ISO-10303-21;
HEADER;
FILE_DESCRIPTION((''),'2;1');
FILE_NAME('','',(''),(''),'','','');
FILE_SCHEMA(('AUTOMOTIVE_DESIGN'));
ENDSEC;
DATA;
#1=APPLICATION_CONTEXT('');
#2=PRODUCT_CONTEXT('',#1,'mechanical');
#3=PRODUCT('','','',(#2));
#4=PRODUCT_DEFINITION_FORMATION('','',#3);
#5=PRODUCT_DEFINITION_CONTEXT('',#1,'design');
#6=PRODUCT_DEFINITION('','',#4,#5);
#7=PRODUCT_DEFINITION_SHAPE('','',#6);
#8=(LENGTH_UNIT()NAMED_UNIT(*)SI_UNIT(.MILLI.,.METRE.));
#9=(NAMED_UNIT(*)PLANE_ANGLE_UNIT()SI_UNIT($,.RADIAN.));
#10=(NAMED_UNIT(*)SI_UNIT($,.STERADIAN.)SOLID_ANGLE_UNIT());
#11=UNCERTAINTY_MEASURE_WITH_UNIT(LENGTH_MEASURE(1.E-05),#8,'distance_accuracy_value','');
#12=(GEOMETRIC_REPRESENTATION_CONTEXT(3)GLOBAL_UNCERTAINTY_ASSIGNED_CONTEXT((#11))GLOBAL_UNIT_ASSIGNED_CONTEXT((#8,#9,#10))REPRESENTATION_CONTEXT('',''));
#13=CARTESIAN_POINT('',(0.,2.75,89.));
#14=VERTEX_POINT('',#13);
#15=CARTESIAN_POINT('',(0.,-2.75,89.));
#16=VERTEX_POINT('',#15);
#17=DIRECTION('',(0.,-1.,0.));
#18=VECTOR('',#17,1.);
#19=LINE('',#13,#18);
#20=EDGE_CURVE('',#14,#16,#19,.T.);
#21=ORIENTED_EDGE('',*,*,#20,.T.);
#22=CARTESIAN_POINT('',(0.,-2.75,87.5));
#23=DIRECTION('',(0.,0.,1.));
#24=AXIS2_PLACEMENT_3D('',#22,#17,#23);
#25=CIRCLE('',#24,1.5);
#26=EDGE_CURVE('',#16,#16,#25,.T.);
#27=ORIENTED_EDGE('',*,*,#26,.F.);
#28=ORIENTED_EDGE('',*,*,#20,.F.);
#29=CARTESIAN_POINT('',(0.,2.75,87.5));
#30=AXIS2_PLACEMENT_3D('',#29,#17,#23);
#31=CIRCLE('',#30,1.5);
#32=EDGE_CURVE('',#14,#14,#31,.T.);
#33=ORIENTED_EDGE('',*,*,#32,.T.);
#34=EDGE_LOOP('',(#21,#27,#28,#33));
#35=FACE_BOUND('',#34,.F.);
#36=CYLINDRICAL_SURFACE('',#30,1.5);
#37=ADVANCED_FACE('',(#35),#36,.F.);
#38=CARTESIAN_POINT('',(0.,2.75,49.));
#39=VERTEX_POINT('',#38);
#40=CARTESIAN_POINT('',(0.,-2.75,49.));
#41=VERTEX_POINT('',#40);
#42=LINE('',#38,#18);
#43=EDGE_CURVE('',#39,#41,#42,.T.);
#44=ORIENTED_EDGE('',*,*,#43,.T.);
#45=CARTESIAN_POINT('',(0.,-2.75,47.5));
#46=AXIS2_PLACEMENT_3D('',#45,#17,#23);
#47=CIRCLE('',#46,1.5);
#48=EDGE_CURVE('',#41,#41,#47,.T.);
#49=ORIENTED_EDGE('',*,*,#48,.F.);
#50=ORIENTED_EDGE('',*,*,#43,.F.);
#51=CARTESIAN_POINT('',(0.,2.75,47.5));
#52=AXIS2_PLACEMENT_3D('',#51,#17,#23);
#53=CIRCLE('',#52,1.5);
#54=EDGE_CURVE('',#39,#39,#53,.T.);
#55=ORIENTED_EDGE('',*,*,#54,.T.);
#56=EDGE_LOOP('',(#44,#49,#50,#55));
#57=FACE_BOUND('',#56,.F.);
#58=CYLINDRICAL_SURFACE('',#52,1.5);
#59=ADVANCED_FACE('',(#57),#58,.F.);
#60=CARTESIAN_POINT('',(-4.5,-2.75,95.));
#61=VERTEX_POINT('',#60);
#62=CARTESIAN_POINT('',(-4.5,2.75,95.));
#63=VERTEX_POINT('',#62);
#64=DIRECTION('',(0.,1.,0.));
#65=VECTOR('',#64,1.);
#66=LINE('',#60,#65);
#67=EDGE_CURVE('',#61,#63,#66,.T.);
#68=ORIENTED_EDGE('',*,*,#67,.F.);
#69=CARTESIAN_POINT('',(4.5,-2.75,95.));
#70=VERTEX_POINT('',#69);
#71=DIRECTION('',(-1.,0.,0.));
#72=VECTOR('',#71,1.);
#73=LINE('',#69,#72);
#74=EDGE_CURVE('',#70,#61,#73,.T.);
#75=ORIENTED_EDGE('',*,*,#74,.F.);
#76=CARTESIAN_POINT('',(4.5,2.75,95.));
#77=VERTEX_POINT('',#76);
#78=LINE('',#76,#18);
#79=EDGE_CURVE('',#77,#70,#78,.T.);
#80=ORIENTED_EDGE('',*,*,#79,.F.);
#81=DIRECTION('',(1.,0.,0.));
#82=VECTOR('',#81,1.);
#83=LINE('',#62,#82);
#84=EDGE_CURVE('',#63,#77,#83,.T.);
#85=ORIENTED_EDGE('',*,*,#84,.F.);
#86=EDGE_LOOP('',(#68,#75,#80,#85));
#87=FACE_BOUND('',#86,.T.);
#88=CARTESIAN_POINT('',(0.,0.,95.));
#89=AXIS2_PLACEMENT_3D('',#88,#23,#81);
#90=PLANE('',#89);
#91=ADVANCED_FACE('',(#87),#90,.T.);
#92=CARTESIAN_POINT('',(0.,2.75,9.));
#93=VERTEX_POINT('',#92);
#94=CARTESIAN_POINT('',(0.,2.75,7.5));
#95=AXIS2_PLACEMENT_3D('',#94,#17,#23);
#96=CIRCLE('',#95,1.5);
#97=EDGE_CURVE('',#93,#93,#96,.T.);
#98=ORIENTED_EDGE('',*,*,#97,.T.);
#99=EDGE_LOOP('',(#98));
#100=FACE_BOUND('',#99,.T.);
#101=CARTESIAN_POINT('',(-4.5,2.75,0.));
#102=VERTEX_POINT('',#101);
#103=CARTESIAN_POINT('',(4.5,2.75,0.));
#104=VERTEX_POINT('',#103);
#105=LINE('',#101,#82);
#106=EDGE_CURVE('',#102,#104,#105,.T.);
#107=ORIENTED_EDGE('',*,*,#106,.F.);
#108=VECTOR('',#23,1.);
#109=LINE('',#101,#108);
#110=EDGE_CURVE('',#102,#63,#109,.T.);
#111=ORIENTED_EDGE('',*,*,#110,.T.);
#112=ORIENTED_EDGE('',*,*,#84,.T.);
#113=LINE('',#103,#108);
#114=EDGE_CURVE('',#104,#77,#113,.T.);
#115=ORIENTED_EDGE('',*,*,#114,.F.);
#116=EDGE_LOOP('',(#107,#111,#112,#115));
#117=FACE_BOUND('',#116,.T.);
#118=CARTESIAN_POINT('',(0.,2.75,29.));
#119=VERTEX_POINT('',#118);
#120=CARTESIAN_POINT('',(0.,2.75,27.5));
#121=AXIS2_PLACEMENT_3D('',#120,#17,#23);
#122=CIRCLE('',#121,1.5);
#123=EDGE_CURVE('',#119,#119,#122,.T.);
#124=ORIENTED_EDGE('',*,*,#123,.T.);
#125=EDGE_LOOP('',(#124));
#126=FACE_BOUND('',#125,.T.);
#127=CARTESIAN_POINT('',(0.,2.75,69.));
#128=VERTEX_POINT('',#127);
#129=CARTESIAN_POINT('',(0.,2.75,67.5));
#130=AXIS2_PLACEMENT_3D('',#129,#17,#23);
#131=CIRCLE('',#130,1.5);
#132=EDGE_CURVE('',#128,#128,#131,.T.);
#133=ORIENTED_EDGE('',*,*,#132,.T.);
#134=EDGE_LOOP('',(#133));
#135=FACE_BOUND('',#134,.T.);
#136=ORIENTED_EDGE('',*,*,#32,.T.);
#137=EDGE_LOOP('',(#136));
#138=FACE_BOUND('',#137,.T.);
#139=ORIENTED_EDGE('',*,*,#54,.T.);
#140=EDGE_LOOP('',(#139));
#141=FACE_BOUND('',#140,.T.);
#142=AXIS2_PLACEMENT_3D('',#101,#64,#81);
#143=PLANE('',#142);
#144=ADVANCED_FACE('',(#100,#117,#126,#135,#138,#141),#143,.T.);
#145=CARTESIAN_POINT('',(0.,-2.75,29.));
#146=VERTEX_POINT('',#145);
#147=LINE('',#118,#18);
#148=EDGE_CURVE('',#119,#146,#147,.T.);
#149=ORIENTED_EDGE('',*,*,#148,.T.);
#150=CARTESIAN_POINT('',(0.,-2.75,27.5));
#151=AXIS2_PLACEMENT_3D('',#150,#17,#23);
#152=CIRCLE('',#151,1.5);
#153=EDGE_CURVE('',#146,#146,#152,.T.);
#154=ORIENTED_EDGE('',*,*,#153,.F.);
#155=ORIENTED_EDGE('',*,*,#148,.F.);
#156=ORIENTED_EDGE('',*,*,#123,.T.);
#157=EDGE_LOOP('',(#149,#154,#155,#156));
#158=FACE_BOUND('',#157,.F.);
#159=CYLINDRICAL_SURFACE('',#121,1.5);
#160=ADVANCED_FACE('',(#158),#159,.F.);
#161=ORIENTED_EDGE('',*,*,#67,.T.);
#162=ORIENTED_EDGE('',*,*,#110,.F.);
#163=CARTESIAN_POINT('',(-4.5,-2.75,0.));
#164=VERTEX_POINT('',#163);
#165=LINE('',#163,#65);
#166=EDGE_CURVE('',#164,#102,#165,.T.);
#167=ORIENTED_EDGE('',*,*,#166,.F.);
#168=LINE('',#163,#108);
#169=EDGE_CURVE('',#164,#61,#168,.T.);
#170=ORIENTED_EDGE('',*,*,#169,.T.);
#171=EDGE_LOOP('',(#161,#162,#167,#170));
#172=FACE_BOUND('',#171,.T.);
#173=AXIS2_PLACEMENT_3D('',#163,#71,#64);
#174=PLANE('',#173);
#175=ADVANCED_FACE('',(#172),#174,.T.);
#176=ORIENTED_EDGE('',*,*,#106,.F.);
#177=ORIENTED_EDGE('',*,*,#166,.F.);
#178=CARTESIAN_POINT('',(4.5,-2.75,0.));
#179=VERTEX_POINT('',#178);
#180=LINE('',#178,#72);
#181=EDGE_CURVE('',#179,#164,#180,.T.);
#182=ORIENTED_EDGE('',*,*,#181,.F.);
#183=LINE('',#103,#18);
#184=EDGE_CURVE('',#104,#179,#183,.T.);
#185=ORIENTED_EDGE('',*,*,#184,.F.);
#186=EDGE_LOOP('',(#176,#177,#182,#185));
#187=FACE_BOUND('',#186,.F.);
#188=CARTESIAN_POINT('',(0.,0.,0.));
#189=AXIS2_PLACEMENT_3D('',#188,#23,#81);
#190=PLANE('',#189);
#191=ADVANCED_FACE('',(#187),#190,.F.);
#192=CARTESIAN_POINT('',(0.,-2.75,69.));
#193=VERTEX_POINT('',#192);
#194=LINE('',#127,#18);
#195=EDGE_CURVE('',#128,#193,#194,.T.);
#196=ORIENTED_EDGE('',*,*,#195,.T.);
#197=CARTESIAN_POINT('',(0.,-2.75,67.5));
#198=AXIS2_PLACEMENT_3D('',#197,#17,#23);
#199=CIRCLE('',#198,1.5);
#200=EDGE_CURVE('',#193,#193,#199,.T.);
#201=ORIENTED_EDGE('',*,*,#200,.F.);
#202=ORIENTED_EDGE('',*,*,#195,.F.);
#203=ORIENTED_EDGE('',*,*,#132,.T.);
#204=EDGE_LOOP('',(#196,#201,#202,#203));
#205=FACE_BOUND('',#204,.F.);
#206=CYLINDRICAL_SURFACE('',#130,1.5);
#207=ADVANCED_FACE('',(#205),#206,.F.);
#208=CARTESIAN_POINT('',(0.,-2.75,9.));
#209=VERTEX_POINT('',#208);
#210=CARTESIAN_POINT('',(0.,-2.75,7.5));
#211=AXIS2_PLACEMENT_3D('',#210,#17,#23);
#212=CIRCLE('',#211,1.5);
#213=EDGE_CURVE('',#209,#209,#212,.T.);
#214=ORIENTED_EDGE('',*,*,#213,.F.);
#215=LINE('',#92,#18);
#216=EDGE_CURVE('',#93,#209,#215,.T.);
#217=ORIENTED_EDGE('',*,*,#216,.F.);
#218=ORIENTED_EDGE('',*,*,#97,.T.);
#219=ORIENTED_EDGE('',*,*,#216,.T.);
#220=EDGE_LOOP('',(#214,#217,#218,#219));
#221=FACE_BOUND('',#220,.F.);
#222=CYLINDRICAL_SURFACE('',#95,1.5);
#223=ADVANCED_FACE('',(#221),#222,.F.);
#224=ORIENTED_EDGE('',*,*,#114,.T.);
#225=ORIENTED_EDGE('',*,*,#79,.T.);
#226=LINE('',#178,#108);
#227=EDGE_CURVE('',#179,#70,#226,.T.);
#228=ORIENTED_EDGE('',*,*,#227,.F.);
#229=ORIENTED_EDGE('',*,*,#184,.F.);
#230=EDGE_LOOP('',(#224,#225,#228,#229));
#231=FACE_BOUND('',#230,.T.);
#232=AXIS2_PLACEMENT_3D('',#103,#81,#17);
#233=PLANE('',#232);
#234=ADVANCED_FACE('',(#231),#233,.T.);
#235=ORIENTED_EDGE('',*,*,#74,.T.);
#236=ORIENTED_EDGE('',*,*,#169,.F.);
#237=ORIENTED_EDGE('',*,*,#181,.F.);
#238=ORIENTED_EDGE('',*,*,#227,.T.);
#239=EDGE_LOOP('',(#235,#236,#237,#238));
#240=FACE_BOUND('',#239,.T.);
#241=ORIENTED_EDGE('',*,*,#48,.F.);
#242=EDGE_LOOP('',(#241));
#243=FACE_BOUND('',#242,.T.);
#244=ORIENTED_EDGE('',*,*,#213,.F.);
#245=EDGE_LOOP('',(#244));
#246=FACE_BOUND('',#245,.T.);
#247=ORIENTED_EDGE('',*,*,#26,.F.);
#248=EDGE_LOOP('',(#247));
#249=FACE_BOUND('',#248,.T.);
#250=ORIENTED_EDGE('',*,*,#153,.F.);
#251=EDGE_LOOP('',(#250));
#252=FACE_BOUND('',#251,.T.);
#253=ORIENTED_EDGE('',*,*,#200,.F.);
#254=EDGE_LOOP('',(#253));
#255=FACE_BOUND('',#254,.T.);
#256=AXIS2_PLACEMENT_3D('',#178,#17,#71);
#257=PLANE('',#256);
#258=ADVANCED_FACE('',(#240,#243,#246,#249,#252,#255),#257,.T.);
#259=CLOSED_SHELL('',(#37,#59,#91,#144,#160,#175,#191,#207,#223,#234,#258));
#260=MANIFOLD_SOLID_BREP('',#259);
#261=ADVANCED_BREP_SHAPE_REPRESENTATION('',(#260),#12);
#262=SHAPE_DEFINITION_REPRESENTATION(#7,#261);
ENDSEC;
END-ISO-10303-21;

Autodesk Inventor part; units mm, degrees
ref_plane "YZ Plane" through (0, 0, 0) normal (1, 0, 0) x (0, 1, 0)
ref_plane "XZ Plane" through (0, 0, 0) normal (0, 1, 0) x (-1, 0, 0)
ref_plane "XY Plane" through (0, 0, 0) normal (0, 0, 1) x (1, 0, 0)
sketch "スケッチ1" plane through (0, 0, 0) normal (0, 0, 1) x (1, 0, 0)
  line L0 (4.5, -2.75) -> (-4.5, -2.75)
  line L1 (-4.5, -2.75) -> (-4.5, 2.75)
  line L2 (-4.5, 2.75) -> (4.5, 2.75)
  line L3 (4.5, 2.75) -> (4.5, -2.75)
  line L4 (4.5, -2.75) -> (-4.5, 2.75) construction
  line L5 (-4.5, -2.75) -> (4.5, 2.75) construction
  point P0 (0, 0)
  dimension "d0" = 9
  dimension "d1" = 5.5
extrude "押し出し1" add sketch "スケッチ1" along normal blind 95
sketch "スケッチ2" plane through (-4.5, 2.75, 0) normal (0, 1, 0) x (1, 0, 0)
  point P0 (4.5, 0)
  point P1 (4.5, -7.5)
  point P2 (4.5, -27.5)
  point P3 (4.5, -47.5)
  point P4 (4.5, -67.5)
  point P5 (4.5, -87.5)
  dimension "d4" = 47.5
  dimension "d5" = 20
  dimension "d6" = 20
  dimension "d7" = 20
  dimension "d8" = 20
hole "穴1" at (0, 2.75, 7.5) at (0, 2.75, 27.5) at (0, 2.75, 47.5) at (0, 2.75, 67.5) at (0, 2.75, 87.5) direction (0, -1, 0) diameter 3 end through all
equation "\"d6\" = d5"
equation "\"d7\" = d5"
equation "\"d8\" = d5"
properties part number "slider_b5p5x9_95_sa" material "ステンレス鋼"
